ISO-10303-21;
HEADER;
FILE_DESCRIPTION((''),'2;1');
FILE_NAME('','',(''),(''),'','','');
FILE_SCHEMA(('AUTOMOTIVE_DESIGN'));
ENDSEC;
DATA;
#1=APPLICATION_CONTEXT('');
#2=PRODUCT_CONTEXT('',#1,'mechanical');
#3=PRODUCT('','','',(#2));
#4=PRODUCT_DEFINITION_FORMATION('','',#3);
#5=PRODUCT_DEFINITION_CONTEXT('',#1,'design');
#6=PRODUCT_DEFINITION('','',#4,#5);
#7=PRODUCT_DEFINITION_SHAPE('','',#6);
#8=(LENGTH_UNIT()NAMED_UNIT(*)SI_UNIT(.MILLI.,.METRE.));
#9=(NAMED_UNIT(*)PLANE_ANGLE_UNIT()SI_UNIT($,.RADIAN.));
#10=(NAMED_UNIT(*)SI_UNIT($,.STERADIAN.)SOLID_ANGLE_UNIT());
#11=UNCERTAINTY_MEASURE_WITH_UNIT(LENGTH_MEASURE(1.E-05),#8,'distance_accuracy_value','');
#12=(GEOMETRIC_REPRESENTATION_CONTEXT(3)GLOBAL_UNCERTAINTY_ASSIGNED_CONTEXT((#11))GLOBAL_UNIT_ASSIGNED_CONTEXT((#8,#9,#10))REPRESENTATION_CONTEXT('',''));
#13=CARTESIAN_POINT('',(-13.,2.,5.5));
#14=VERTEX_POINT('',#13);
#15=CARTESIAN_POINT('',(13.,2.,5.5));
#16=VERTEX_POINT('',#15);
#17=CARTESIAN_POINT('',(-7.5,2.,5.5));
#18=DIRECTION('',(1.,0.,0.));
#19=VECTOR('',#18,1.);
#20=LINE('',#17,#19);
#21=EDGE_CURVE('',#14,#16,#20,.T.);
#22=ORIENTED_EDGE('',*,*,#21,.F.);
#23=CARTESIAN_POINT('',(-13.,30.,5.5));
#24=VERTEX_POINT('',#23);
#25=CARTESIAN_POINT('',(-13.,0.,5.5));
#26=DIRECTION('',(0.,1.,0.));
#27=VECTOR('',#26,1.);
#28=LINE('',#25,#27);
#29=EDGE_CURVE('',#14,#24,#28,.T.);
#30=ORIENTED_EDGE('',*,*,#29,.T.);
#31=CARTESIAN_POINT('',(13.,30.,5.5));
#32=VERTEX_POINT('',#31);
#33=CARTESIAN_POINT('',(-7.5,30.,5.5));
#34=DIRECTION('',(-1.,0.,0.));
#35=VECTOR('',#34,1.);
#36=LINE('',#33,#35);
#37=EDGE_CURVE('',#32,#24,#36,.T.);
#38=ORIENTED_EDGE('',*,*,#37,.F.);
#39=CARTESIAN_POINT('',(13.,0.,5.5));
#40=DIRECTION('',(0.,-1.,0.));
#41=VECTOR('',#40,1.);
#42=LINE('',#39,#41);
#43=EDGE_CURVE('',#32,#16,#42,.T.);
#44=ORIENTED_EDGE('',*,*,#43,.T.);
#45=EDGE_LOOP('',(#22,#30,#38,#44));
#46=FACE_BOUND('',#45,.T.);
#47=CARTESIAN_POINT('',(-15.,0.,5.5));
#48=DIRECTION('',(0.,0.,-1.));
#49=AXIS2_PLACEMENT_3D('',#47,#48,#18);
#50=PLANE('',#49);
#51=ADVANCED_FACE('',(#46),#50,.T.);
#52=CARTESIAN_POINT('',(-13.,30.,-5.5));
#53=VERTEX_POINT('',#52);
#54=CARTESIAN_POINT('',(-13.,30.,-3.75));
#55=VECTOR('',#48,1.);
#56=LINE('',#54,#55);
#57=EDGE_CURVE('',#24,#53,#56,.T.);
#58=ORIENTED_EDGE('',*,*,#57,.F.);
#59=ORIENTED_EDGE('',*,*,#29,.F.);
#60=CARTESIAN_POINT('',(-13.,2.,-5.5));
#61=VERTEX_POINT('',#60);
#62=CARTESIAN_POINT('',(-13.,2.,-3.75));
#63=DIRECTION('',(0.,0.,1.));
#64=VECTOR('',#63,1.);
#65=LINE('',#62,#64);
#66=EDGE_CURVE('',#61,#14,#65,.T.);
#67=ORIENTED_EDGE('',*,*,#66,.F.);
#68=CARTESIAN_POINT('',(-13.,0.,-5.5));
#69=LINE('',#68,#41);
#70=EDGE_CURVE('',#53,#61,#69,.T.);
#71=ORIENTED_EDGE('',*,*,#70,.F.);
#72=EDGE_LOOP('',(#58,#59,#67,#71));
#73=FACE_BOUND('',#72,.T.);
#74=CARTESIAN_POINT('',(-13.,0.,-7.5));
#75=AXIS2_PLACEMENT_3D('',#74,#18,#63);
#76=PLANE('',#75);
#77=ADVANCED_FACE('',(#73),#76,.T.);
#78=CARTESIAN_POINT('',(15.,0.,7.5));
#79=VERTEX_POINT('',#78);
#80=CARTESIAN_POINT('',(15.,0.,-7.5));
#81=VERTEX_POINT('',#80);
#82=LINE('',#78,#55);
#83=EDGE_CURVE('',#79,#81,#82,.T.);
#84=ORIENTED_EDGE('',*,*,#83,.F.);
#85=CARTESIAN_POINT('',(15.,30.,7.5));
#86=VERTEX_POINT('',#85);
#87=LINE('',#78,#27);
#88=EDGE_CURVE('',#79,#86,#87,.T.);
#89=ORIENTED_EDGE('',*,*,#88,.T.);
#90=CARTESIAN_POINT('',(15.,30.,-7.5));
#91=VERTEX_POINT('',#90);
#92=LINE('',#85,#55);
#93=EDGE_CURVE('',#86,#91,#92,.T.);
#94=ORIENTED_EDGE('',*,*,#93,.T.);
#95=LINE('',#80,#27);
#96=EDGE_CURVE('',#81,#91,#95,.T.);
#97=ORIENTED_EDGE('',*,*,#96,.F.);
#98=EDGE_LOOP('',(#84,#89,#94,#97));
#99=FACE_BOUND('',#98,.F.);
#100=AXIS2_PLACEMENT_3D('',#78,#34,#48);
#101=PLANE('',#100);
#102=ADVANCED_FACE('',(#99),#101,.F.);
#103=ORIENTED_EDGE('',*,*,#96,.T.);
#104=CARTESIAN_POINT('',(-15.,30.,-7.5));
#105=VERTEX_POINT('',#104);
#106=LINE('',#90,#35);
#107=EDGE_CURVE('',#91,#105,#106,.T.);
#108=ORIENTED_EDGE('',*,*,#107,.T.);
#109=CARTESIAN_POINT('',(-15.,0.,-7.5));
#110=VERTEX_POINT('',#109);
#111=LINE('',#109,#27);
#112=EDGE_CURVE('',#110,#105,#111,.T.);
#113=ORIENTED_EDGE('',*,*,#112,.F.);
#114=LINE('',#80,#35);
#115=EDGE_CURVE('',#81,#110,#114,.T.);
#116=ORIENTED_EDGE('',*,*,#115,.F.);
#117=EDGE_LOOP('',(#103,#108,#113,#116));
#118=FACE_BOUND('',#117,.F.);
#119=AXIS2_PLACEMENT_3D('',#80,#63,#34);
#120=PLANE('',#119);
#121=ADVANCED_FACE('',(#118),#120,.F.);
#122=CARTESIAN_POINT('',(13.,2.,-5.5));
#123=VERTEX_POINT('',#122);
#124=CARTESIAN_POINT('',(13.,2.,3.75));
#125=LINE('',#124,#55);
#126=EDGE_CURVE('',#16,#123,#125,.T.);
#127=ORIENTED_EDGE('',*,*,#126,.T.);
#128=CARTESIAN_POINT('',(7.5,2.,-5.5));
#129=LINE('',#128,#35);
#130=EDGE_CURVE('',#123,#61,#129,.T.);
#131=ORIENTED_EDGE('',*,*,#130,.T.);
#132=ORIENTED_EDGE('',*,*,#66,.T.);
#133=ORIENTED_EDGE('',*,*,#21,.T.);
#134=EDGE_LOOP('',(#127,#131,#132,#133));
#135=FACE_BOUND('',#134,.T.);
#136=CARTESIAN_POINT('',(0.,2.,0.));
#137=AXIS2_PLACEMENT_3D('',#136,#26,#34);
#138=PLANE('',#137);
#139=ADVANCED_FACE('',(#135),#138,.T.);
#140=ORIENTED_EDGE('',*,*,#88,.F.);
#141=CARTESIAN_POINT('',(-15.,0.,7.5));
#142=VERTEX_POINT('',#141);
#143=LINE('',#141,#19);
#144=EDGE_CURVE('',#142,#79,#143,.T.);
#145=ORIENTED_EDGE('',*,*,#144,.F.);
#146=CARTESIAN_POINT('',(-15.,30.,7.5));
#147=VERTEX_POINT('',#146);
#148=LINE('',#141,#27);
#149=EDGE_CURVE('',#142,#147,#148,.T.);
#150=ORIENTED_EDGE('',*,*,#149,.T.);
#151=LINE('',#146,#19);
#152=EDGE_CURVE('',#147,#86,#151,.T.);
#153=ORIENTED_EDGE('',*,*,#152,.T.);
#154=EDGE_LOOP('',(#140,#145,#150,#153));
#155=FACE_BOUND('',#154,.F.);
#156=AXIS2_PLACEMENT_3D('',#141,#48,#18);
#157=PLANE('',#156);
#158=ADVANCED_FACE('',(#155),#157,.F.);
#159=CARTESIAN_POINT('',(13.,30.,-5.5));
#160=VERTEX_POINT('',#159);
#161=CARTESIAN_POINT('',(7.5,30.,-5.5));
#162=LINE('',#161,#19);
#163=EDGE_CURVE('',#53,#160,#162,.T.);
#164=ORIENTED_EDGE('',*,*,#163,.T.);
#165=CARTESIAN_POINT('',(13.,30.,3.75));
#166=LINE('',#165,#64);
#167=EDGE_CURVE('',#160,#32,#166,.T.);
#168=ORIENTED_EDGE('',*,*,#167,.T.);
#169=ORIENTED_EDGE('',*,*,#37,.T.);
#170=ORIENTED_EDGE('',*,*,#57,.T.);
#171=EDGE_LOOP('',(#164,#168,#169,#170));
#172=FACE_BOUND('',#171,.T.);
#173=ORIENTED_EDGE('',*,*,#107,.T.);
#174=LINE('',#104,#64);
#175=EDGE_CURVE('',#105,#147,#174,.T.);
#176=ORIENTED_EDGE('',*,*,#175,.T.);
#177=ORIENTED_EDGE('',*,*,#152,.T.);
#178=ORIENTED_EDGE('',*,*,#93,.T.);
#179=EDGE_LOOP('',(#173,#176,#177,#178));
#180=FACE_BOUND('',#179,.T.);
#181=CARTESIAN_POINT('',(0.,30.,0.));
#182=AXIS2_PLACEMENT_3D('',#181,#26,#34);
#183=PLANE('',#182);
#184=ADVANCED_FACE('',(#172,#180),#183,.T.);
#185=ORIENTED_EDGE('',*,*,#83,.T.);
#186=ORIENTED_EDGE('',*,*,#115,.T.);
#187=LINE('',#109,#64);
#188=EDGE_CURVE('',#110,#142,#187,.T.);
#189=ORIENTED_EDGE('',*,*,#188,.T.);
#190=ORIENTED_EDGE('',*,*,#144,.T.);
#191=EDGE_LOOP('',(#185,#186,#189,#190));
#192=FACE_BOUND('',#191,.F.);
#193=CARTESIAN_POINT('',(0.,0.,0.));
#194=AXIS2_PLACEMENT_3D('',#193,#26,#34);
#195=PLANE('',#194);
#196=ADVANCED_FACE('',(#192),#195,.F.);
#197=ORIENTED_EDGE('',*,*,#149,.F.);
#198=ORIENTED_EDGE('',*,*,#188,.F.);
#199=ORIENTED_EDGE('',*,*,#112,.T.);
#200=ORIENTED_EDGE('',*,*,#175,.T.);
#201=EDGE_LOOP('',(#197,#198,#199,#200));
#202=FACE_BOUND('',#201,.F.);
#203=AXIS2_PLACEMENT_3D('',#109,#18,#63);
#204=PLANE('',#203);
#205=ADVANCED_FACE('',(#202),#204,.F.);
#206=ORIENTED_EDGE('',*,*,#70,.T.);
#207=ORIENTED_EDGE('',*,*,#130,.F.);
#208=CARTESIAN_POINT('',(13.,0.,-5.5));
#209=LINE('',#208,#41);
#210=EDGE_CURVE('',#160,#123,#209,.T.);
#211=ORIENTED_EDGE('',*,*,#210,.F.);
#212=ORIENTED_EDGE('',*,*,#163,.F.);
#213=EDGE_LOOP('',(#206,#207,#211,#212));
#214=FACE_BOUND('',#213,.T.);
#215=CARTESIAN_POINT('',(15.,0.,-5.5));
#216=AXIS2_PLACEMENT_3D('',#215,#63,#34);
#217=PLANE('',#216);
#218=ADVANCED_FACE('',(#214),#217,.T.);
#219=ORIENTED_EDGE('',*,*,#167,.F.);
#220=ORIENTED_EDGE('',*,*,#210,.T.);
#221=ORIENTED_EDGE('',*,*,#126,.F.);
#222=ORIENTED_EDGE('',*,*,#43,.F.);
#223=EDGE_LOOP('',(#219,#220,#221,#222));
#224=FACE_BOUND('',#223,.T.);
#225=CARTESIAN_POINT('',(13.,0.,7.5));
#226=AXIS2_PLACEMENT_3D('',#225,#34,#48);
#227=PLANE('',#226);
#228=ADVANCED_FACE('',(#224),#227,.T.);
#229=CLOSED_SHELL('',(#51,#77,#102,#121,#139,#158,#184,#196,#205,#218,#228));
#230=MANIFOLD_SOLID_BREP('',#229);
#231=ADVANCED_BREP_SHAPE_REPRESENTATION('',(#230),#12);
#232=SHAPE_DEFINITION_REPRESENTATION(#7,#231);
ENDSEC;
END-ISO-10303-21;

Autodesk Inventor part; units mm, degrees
ref_plane "YZ Plane" through (0, 0, 0) normal (1, 0, 0) x (0, 1, 0)
ref_plane "XZ Plane" through (0, 0, 0) normal (0, 1, 0) x (-1, 0, 0)
ref_plane "XY Plane" through (0, 0, 0) normal (0, 0, 1) x (1, 0, 0)
sketch "Skizze1" plane through (0, 0, 0) normal (0, 1, 0) x (-1, 0, 0)
  line L0 (15, 7.5) -> (-15, 7.5)
  line L1 (-15, 7.5) -> (-15, -7.5)
  line L2 (-15, -7.5) -> (15, -7.5)
  line L3 (15, -7.5) -> (15, 7.5)
  point P0 (0, 0)
  dimension "d0" = 15
  dimension "d1" = 30
  dimension "d2" = 15
  dimension "d3" = 7.5
extrude "Extrusion1" add sketch "Skizze1" along normal blind 30
shell "Wandung1" thickness 2 removed faces 1 at (5, 30, 2.5)
properties part number "Servo Hatlerung"
